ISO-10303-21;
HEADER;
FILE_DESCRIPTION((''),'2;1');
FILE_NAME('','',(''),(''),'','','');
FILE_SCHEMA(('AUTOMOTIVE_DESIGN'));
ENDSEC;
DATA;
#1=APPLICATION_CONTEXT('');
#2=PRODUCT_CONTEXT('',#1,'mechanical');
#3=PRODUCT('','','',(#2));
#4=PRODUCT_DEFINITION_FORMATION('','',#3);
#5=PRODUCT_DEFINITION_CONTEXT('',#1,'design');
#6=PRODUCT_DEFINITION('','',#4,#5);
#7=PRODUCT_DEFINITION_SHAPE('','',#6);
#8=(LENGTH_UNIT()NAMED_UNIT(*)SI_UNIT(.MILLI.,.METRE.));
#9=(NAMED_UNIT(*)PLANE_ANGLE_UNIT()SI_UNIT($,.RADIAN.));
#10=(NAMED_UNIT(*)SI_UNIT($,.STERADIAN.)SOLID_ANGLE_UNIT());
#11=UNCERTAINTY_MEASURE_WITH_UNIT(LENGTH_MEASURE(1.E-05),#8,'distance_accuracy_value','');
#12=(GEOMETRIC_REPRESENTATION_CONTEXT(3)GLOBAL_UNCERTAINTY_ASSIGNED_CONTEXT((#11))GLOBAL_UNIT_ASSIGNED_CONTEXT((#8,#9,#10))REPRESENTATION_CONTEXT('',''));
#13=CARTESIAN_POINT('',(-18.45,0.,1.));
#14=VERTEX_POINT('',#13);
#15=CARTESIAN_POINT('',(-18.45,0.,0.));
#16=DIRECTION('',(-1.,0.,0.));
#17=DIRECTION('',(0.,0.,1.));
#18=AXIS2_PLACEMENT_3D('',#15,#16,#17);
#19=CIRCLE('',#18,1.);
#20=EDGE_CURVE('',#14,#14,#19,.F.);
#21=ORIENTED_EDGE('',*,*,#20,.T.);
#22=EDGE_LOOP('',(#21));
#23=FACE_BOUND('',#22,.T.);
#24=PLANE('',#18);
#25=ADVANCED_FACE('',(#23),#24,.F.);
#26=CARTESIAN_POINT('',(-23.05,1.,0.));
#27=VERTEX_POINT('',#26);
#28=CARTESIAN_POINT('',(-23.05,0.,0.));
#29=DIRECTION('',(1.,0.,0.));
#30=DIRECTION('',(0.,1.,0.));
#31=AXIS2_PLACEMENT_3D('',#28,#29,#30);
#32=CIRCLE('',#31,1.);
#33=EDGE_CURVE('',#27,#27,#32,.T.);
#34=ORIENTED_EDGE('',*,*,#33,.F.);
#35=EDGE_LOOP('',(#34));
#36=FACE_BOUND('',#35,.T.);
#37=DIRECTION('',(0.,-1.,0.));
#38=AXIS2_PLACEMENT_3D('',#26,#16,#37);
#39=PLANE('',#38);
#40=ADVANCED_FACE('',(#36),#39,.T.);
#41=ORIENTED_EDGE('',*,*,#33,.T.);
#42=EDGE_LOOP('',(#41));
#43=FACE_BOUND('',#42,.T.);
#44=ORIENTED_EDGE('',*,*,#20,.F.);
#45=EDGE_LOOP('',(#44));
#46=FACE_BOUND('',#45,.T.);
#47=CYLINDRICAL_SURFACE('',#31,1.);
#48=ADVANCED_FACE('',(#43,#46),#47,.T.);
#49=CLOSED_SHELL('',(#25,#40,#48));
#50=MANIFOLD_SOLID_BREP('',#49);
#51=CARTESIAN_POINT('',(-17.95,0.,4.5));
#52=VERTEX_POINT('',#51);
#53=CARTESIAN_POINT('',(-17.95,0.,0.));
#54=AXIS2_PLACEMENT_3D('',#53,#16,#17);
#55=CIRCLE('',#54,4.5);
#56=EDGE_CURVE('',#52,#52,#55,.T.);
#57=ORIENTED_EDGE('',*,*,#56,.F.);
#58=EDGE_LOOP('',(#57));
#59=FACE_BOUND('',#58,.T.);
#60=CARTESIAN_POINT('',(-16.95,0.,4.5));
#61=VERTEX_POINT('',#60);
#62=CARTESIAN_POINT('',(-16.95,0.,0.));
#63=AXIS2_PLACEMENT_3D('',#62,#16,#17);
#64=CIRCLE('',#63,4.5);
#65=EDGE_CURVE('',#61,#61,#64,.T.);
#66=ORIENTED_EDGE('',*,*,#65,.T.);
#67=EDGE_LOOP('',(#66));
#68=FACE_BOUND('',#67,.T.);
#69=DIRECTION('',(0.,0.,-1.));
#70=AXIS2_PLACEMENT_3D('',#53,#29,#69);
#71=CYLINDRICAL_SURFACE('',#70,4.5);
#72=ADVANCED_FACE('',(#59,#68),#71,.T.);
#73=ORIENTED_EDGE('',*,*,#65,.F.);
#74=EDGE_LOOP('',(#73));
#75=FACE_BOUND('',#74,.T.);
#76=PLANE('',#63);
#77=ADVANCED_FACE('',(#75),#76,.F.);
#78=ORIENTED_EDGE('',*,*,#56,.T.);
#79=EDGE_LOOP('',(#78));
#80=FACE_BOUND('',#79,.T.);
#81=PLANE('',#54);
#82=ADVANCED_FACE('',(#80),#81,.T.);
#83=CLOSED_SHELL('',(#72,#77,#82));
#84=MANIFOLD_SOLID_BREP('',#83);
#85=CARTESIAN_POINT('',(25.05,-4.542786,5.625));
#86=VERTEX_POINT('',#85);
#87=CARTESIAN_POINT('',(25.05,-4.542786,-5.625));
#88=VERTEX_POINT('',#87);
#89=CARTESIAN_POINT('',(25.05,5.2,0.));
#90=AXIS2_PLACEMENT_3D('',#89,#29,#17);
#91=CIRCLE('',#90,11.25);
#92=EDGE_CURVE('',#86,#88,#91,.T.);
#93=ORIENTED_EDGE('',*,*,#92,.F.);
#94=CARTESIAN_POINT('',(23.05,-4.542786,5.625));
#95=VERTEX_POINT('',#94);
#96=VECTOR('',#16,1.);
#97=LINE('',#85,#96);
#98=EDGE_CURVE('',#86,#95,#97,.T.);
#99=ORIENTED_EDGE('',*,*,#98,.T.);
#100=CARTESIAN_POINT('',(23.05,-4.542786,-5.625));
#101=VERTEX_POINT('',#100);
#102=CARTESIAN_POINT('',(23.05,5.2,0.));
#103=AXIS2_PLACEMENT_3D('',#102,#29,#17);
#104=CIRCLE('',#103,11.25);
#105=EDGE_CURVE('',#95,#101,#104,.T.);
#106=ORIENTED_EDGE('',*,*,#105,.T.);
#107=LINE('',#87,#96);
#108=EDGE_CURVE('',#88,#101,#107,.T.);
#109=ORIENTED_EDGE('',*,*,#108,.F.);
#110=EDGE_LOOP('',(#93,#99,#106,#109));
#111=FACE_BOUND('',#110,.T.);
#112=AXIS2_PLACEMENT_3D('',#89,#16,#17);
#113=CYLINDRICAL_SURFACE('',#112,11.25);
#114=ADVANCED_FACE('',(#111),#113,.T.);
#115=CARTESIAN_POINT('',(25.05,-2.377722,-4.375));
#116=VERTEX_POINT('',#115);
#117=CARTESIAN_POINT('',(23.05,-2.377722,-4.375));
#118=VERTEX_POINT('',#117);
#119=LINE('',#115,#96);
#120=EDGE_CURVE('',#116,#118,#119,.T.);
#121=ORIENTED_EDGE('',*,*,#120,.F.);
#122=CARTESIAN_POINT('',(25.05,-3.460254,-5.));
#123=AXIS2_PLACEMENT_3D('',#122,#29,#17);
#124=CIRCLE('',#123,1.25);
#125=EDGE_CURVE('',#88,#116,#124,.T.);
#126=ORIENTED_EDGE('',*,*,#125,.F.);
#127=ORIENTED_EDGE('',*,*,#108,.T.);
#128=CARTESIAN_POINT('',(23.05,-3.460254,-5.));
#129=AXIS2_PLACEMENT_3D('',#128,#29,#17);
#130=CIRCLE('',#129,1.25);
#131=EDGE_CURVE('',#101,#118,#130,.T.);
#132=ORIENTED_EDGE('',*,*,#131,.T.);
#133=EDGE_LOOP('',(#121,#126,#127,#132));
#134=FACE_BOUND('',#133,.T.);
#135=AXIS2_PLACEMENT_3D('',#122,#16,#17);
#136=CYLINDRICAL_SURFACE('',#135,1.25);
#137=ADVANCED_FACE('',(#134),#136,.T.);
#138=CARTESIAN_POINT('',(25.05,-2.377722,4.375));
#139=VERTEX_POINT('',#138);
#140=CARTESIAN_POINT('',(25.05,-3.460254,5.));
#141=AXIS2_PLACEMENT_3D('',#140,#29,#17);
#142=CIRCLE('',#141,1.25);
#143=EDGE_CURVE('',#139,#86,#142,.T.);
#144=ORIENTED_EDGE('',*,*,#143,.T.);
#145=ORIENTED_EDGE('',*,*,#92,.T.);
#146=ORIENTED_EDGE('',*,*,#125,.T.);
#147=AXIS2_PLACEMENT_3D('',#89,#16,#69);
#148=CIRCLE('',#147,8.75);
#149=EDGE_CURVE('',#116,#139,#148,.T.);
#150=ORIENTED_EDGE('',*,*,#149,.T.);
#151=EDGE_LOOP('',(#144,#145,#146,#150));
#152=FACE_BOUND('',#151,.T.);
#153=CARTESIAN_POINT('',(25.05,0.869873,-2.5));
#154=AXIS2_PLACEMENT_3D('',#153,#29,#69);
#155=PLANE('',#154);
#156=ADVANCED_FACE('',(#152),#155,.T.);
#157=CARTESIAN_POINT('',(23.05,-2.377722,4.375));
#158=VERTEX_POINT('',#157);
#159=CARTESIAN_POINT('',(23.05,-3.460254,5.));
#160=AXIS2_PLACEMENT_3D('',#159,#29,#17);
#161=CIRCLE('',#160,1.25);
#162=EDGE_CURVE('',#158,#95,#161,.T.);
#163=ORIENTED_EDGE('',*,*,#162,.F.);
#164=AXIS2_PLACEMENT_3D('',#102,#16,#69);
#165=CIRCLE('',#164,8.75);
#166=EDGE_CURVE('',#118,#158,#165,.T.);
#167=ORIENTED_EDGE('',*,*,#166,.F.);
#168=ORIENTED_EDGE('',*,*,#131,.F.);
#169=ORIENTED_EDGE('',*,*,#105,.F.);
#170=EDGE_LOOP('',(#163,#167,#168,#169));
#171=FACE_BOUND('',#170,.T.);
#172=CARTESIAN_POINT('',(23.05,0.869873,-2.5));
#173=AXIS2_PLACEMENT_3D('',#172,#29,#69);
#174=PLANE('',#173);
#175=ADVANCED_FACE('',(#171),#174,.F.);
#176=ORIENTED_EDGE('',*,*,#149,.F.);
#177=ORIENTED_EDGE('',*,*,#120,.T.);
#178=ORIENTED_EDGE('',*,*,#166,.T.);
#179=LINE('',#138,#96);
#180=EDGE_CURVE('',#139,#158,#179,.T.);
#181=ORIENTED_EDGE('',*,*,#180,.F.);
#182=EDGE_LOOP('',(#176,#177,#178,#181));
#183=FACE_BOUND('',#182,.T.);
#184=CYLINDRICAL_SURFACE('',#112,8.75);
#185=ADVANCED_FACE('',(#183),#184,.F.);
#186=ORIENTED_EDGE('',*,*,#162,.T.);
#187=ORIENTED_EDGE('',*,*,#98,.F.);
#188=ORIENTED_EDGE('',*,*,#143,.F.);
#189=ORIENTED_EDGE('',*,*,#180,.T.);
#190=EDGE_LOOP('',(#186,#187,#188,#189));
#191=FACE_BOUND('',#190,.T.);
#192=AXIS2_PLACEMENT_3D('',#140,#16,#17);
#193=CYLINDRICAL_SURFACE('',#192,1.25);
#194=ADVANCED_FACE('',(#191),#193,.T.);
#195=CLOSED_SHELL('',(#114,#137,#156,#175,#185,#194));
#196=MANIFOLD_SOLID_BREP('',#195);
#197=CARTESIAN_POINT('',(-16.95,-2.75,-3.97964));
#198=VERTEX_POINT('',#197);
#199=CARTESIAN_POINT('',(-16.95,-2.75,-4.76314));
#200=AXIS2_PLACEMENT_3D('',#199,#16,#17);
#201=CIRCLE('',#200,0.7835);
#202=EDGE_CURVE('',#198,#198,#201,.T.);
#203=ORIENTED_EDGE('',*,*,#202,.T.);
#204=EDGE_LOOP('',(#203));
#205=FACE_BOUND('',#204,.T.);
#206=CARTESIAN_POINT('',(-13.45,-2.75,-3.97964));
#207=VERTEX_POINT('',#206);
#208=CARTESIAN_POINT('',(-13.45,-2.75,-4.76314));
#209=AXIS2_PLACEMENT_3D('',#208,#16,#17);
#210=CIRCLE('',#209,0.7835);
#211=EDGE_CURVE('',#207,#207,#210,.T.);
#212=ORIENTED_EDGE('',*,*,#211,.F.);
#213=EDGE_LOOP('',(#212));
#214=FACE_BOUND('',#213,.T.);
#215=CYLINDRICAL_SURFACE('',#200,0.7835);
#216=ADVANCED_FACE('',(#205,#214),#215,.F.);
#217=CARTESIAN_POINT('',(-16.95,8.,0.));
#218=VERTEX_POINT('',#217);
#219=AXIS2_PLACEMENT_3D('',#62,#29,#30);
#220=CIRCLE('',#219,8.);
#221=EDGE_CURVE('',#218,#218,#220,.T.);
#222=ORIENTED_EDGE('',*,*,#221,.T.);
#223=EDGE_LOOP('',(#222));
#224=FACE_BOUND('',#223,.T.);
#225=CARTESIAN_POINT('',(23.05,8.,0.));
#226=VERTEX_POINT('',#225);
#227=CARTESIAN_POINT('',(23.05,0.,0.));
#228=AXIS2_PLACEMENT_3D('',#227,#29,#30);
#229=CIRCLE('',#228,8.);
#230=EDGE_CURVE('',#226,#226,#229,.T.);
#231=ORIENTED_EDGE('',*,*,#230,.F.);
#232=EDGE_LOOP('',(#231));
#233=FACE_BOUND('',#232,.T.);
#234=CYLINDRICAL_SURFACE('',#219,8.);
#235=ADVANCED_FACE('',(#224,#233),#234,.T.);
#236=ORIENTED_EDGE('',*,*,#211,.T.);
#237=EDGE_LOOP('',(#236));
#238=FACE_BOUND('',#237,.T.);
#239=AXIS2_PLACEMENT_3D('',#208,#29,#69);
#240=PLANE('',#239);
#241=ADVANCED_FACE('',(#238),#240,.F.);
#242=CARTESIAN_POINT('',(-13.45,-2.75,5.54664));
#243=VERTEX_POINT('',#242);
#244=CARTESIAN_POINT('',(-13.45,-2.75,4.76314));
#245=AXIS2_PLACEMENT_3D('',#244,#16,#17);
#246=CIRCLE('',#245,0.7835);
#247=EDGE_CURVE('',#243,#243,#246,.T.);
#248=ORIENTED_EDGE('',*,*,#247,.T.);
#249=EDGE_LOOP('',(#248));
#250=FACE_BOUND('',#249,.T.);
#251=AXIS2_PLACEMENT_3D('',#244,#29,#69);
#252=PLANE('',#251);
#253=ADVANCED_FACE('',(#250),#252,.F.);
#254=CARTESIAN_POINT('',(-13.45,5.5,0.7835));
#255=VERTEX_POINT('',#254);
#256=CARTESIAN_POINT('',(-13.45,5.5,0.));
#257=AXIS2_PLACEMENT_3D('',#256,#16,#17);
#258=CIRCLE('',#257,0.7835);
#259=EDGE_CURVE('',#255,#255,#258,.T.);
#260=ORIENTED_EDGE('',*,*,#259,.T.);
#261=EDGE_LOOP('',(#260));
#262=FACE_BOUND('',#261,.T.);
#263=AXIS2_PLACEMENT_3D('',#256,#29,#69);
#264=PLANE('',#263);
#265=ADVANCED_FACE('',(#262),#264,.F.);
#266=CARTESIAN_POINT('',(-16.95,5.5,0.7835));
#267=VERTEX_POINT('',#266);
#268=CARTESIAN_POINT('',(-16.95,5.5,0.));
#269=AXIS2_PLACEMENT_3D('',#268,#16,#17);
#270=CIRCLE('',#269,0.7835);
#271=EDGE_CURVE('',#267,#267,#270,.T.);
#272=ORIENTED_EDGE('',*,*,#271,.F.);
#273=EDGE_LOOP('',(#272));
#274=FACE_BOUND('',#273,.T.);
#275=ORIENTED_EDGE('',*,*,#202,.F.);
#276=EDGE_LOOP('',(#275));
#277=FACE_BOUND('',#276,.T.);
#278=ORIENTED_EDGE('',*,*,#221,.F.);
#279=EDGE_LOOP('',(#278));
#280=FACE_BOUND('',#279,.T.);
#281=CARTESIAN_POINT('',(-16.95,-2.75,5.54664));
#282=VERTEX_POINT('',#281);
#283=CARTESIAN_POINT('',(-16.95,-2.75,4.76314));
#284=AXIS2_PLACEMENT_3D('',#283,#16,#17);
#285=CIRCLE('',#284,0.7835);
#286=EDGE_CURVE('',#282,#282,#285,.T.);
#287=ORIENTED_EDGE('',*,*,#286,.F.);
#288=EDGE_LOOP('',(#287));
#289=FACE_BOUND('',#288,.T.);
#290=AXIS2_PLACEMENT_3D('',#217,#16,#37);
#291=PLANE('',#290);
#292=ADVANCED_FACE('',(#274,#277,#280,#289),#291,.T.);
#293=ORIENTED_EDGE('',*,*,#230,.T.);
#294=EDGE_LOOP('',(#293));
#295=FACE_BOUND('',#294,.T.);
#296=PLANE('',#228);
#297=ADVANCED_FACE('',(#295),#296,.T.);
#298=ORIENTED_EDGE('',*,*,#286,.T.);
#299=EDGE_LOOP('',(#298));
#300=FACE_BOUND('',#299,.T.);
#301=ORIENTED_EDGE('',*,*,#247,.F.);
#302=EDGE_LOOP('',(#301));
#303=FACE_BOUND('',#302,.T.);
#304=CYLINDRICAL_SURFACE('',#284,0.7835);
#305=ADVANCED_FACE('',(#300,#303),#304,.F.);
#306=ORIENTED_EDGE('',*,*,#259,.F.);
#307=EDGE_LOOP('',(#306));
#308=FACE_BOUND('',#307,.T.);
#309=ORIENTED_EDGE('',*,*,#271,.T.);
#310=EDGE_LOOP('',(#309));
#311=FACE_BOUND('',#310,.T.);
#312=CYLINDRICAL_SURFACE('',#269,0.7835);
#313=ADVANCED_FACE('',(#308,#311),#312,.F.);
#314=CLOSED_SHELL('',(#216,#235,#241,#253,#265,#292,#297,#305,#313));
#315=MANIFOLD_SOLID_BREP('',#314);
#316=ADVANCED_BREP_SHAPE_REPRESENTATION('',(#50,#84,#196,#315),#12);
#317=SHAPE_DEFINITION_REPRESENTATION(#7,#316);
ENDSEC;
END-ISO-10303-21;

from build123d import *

# Parameters (mm, degrees)
SKETCH9_W           = 5.1
SKETCH9_H           = 1
SKETCH11_W          = 40
SKETCH11_H          = 8
BOSS_EXTRUDE3_DEPTH = 2
SKETCH20_R          = 4.5
BOSS_EXTRUDE4_DEPTH = 1
SKETCH21_W          = 3.5
SKETCH21_H          = 0.5
SKETCH23_W          = 0.7835
SKETCH23_H          = 3.5
HOLE2_AT_2_COUNT    = 2
HOLE2_AT_2_PITCH    = 9.526279442
HOLE2_AT_3_COUNT    = 2
HOLE2_AT_3_PITCH    = 9.526279442


with BuildPart() as part:
    # Sketch9 → Revolve2 (revolve)
    with BuildSketch(Plane.XY):
        with Locations((-20.5, 0.5)):
            Rectangle(SKETCH9_W, SKETCH9_H)
    revolve(axis=Axis((-23.05, 0, 0), (1, 0, 0)))

    # Sketch21 → Ø7.0 (7) Diameter Hole2 (revolve, cut)
    with BuildSketch(Plane(origin=(-17.95, 0, 0), x_dir=(0, 0, -1), z_dir=(0, 1, 0))):
        with Locations((1.75, 0.25)):
            Rectangle(SKETCH21_W, SKETCH21_H)
    revolve(axis=Axis((-11.6, 0, 0), (-1, 0, 0)), mode=Mode.SUBTRACT)


with BuildPart() as body_2:
    # Sketch11 → Revolve3 (revolve)
    with BuildSketch(Plane.XY):
        with Locations((3.05, 4)):
            Rectangle(SKETCH11_W, SKETCH11_H)
    revolve(axis=Axis((-16.95, 0, 0), (1, 0, 0)))

    # Sketch23 → Hole2 (revolve, cut)
    with BuildSketch(Plane(origin=(-16.95, -2.75, -4.763139721), x_dir=(0, 0, 1), z_dir=(0, 1, 0))):
        with Locations((0.39175, 1.75)):
            Rectangle(SKETCH23_W, SKETCH23_H)
    hole2 = revolve(axis=Axis((93.05, -2.75, -4.763139721), (-1, 0, 0)), mode=Mode.SUBTRACT)

    # Hole2 at 2: Hole2 ×2
    with Locations(*[(0, 0, i * HOLE2_AT_2_PITCH) for i in range(1, HOLE2_AT_2_COUNT)]):
        add(hole2, mode=Mode.SUBTRACT)

    # Hole2 at 3: Hole2 ×2
    with Locations(*[Vector(0, 0.866025404, 0.5) * (i * HOLE2_AT_3_PITCH) for i in range(1, HOLE2_AT_3_COUNT)]):
        add(hole2, mode=Mode.SUBTRACT)


with BuildPart() as body_3:
    # Sketch15 → Boss-Extrude3 (new body)
    with BuildSketch(Plane(origin=(23.05, 0, 0), x_dir=(0, 0, -1), z_dir=(1, 0, 0))):
        with BuildLine():
            ThreePointArc((4.375, -2.377722283), (6.082531755, -2.835254038), (5.625, -4.542785793))
            ThreePointArc((5.625, -4.542785793), (0, -6.05), (-5.625, -4.542785793))
            ThreePointArc((-5.625, -4.542785793), (-6.082531755, -2.835254038), (-4.375, -2.377722283))
            ThreePointArc((-4.375, -2.377722283), (0, -3.55), (4.375, -2.377722283))
        make_face()
    extrude(amount=BOSS_EXTRUDE3_DEPTH)


with BuildPart() as body_4:
    # Sketch20 → Boss-Extrude4 (new body)
    with BuildSketch(Plane.ZY.offset(16.95)):
        Circle(SKETCH20_R)
    extrude(amount=BOSS_EXTRUDE4_DEPTH)


solid = Compound([part.part, body_2.part, body_3.part, body_4.part])
